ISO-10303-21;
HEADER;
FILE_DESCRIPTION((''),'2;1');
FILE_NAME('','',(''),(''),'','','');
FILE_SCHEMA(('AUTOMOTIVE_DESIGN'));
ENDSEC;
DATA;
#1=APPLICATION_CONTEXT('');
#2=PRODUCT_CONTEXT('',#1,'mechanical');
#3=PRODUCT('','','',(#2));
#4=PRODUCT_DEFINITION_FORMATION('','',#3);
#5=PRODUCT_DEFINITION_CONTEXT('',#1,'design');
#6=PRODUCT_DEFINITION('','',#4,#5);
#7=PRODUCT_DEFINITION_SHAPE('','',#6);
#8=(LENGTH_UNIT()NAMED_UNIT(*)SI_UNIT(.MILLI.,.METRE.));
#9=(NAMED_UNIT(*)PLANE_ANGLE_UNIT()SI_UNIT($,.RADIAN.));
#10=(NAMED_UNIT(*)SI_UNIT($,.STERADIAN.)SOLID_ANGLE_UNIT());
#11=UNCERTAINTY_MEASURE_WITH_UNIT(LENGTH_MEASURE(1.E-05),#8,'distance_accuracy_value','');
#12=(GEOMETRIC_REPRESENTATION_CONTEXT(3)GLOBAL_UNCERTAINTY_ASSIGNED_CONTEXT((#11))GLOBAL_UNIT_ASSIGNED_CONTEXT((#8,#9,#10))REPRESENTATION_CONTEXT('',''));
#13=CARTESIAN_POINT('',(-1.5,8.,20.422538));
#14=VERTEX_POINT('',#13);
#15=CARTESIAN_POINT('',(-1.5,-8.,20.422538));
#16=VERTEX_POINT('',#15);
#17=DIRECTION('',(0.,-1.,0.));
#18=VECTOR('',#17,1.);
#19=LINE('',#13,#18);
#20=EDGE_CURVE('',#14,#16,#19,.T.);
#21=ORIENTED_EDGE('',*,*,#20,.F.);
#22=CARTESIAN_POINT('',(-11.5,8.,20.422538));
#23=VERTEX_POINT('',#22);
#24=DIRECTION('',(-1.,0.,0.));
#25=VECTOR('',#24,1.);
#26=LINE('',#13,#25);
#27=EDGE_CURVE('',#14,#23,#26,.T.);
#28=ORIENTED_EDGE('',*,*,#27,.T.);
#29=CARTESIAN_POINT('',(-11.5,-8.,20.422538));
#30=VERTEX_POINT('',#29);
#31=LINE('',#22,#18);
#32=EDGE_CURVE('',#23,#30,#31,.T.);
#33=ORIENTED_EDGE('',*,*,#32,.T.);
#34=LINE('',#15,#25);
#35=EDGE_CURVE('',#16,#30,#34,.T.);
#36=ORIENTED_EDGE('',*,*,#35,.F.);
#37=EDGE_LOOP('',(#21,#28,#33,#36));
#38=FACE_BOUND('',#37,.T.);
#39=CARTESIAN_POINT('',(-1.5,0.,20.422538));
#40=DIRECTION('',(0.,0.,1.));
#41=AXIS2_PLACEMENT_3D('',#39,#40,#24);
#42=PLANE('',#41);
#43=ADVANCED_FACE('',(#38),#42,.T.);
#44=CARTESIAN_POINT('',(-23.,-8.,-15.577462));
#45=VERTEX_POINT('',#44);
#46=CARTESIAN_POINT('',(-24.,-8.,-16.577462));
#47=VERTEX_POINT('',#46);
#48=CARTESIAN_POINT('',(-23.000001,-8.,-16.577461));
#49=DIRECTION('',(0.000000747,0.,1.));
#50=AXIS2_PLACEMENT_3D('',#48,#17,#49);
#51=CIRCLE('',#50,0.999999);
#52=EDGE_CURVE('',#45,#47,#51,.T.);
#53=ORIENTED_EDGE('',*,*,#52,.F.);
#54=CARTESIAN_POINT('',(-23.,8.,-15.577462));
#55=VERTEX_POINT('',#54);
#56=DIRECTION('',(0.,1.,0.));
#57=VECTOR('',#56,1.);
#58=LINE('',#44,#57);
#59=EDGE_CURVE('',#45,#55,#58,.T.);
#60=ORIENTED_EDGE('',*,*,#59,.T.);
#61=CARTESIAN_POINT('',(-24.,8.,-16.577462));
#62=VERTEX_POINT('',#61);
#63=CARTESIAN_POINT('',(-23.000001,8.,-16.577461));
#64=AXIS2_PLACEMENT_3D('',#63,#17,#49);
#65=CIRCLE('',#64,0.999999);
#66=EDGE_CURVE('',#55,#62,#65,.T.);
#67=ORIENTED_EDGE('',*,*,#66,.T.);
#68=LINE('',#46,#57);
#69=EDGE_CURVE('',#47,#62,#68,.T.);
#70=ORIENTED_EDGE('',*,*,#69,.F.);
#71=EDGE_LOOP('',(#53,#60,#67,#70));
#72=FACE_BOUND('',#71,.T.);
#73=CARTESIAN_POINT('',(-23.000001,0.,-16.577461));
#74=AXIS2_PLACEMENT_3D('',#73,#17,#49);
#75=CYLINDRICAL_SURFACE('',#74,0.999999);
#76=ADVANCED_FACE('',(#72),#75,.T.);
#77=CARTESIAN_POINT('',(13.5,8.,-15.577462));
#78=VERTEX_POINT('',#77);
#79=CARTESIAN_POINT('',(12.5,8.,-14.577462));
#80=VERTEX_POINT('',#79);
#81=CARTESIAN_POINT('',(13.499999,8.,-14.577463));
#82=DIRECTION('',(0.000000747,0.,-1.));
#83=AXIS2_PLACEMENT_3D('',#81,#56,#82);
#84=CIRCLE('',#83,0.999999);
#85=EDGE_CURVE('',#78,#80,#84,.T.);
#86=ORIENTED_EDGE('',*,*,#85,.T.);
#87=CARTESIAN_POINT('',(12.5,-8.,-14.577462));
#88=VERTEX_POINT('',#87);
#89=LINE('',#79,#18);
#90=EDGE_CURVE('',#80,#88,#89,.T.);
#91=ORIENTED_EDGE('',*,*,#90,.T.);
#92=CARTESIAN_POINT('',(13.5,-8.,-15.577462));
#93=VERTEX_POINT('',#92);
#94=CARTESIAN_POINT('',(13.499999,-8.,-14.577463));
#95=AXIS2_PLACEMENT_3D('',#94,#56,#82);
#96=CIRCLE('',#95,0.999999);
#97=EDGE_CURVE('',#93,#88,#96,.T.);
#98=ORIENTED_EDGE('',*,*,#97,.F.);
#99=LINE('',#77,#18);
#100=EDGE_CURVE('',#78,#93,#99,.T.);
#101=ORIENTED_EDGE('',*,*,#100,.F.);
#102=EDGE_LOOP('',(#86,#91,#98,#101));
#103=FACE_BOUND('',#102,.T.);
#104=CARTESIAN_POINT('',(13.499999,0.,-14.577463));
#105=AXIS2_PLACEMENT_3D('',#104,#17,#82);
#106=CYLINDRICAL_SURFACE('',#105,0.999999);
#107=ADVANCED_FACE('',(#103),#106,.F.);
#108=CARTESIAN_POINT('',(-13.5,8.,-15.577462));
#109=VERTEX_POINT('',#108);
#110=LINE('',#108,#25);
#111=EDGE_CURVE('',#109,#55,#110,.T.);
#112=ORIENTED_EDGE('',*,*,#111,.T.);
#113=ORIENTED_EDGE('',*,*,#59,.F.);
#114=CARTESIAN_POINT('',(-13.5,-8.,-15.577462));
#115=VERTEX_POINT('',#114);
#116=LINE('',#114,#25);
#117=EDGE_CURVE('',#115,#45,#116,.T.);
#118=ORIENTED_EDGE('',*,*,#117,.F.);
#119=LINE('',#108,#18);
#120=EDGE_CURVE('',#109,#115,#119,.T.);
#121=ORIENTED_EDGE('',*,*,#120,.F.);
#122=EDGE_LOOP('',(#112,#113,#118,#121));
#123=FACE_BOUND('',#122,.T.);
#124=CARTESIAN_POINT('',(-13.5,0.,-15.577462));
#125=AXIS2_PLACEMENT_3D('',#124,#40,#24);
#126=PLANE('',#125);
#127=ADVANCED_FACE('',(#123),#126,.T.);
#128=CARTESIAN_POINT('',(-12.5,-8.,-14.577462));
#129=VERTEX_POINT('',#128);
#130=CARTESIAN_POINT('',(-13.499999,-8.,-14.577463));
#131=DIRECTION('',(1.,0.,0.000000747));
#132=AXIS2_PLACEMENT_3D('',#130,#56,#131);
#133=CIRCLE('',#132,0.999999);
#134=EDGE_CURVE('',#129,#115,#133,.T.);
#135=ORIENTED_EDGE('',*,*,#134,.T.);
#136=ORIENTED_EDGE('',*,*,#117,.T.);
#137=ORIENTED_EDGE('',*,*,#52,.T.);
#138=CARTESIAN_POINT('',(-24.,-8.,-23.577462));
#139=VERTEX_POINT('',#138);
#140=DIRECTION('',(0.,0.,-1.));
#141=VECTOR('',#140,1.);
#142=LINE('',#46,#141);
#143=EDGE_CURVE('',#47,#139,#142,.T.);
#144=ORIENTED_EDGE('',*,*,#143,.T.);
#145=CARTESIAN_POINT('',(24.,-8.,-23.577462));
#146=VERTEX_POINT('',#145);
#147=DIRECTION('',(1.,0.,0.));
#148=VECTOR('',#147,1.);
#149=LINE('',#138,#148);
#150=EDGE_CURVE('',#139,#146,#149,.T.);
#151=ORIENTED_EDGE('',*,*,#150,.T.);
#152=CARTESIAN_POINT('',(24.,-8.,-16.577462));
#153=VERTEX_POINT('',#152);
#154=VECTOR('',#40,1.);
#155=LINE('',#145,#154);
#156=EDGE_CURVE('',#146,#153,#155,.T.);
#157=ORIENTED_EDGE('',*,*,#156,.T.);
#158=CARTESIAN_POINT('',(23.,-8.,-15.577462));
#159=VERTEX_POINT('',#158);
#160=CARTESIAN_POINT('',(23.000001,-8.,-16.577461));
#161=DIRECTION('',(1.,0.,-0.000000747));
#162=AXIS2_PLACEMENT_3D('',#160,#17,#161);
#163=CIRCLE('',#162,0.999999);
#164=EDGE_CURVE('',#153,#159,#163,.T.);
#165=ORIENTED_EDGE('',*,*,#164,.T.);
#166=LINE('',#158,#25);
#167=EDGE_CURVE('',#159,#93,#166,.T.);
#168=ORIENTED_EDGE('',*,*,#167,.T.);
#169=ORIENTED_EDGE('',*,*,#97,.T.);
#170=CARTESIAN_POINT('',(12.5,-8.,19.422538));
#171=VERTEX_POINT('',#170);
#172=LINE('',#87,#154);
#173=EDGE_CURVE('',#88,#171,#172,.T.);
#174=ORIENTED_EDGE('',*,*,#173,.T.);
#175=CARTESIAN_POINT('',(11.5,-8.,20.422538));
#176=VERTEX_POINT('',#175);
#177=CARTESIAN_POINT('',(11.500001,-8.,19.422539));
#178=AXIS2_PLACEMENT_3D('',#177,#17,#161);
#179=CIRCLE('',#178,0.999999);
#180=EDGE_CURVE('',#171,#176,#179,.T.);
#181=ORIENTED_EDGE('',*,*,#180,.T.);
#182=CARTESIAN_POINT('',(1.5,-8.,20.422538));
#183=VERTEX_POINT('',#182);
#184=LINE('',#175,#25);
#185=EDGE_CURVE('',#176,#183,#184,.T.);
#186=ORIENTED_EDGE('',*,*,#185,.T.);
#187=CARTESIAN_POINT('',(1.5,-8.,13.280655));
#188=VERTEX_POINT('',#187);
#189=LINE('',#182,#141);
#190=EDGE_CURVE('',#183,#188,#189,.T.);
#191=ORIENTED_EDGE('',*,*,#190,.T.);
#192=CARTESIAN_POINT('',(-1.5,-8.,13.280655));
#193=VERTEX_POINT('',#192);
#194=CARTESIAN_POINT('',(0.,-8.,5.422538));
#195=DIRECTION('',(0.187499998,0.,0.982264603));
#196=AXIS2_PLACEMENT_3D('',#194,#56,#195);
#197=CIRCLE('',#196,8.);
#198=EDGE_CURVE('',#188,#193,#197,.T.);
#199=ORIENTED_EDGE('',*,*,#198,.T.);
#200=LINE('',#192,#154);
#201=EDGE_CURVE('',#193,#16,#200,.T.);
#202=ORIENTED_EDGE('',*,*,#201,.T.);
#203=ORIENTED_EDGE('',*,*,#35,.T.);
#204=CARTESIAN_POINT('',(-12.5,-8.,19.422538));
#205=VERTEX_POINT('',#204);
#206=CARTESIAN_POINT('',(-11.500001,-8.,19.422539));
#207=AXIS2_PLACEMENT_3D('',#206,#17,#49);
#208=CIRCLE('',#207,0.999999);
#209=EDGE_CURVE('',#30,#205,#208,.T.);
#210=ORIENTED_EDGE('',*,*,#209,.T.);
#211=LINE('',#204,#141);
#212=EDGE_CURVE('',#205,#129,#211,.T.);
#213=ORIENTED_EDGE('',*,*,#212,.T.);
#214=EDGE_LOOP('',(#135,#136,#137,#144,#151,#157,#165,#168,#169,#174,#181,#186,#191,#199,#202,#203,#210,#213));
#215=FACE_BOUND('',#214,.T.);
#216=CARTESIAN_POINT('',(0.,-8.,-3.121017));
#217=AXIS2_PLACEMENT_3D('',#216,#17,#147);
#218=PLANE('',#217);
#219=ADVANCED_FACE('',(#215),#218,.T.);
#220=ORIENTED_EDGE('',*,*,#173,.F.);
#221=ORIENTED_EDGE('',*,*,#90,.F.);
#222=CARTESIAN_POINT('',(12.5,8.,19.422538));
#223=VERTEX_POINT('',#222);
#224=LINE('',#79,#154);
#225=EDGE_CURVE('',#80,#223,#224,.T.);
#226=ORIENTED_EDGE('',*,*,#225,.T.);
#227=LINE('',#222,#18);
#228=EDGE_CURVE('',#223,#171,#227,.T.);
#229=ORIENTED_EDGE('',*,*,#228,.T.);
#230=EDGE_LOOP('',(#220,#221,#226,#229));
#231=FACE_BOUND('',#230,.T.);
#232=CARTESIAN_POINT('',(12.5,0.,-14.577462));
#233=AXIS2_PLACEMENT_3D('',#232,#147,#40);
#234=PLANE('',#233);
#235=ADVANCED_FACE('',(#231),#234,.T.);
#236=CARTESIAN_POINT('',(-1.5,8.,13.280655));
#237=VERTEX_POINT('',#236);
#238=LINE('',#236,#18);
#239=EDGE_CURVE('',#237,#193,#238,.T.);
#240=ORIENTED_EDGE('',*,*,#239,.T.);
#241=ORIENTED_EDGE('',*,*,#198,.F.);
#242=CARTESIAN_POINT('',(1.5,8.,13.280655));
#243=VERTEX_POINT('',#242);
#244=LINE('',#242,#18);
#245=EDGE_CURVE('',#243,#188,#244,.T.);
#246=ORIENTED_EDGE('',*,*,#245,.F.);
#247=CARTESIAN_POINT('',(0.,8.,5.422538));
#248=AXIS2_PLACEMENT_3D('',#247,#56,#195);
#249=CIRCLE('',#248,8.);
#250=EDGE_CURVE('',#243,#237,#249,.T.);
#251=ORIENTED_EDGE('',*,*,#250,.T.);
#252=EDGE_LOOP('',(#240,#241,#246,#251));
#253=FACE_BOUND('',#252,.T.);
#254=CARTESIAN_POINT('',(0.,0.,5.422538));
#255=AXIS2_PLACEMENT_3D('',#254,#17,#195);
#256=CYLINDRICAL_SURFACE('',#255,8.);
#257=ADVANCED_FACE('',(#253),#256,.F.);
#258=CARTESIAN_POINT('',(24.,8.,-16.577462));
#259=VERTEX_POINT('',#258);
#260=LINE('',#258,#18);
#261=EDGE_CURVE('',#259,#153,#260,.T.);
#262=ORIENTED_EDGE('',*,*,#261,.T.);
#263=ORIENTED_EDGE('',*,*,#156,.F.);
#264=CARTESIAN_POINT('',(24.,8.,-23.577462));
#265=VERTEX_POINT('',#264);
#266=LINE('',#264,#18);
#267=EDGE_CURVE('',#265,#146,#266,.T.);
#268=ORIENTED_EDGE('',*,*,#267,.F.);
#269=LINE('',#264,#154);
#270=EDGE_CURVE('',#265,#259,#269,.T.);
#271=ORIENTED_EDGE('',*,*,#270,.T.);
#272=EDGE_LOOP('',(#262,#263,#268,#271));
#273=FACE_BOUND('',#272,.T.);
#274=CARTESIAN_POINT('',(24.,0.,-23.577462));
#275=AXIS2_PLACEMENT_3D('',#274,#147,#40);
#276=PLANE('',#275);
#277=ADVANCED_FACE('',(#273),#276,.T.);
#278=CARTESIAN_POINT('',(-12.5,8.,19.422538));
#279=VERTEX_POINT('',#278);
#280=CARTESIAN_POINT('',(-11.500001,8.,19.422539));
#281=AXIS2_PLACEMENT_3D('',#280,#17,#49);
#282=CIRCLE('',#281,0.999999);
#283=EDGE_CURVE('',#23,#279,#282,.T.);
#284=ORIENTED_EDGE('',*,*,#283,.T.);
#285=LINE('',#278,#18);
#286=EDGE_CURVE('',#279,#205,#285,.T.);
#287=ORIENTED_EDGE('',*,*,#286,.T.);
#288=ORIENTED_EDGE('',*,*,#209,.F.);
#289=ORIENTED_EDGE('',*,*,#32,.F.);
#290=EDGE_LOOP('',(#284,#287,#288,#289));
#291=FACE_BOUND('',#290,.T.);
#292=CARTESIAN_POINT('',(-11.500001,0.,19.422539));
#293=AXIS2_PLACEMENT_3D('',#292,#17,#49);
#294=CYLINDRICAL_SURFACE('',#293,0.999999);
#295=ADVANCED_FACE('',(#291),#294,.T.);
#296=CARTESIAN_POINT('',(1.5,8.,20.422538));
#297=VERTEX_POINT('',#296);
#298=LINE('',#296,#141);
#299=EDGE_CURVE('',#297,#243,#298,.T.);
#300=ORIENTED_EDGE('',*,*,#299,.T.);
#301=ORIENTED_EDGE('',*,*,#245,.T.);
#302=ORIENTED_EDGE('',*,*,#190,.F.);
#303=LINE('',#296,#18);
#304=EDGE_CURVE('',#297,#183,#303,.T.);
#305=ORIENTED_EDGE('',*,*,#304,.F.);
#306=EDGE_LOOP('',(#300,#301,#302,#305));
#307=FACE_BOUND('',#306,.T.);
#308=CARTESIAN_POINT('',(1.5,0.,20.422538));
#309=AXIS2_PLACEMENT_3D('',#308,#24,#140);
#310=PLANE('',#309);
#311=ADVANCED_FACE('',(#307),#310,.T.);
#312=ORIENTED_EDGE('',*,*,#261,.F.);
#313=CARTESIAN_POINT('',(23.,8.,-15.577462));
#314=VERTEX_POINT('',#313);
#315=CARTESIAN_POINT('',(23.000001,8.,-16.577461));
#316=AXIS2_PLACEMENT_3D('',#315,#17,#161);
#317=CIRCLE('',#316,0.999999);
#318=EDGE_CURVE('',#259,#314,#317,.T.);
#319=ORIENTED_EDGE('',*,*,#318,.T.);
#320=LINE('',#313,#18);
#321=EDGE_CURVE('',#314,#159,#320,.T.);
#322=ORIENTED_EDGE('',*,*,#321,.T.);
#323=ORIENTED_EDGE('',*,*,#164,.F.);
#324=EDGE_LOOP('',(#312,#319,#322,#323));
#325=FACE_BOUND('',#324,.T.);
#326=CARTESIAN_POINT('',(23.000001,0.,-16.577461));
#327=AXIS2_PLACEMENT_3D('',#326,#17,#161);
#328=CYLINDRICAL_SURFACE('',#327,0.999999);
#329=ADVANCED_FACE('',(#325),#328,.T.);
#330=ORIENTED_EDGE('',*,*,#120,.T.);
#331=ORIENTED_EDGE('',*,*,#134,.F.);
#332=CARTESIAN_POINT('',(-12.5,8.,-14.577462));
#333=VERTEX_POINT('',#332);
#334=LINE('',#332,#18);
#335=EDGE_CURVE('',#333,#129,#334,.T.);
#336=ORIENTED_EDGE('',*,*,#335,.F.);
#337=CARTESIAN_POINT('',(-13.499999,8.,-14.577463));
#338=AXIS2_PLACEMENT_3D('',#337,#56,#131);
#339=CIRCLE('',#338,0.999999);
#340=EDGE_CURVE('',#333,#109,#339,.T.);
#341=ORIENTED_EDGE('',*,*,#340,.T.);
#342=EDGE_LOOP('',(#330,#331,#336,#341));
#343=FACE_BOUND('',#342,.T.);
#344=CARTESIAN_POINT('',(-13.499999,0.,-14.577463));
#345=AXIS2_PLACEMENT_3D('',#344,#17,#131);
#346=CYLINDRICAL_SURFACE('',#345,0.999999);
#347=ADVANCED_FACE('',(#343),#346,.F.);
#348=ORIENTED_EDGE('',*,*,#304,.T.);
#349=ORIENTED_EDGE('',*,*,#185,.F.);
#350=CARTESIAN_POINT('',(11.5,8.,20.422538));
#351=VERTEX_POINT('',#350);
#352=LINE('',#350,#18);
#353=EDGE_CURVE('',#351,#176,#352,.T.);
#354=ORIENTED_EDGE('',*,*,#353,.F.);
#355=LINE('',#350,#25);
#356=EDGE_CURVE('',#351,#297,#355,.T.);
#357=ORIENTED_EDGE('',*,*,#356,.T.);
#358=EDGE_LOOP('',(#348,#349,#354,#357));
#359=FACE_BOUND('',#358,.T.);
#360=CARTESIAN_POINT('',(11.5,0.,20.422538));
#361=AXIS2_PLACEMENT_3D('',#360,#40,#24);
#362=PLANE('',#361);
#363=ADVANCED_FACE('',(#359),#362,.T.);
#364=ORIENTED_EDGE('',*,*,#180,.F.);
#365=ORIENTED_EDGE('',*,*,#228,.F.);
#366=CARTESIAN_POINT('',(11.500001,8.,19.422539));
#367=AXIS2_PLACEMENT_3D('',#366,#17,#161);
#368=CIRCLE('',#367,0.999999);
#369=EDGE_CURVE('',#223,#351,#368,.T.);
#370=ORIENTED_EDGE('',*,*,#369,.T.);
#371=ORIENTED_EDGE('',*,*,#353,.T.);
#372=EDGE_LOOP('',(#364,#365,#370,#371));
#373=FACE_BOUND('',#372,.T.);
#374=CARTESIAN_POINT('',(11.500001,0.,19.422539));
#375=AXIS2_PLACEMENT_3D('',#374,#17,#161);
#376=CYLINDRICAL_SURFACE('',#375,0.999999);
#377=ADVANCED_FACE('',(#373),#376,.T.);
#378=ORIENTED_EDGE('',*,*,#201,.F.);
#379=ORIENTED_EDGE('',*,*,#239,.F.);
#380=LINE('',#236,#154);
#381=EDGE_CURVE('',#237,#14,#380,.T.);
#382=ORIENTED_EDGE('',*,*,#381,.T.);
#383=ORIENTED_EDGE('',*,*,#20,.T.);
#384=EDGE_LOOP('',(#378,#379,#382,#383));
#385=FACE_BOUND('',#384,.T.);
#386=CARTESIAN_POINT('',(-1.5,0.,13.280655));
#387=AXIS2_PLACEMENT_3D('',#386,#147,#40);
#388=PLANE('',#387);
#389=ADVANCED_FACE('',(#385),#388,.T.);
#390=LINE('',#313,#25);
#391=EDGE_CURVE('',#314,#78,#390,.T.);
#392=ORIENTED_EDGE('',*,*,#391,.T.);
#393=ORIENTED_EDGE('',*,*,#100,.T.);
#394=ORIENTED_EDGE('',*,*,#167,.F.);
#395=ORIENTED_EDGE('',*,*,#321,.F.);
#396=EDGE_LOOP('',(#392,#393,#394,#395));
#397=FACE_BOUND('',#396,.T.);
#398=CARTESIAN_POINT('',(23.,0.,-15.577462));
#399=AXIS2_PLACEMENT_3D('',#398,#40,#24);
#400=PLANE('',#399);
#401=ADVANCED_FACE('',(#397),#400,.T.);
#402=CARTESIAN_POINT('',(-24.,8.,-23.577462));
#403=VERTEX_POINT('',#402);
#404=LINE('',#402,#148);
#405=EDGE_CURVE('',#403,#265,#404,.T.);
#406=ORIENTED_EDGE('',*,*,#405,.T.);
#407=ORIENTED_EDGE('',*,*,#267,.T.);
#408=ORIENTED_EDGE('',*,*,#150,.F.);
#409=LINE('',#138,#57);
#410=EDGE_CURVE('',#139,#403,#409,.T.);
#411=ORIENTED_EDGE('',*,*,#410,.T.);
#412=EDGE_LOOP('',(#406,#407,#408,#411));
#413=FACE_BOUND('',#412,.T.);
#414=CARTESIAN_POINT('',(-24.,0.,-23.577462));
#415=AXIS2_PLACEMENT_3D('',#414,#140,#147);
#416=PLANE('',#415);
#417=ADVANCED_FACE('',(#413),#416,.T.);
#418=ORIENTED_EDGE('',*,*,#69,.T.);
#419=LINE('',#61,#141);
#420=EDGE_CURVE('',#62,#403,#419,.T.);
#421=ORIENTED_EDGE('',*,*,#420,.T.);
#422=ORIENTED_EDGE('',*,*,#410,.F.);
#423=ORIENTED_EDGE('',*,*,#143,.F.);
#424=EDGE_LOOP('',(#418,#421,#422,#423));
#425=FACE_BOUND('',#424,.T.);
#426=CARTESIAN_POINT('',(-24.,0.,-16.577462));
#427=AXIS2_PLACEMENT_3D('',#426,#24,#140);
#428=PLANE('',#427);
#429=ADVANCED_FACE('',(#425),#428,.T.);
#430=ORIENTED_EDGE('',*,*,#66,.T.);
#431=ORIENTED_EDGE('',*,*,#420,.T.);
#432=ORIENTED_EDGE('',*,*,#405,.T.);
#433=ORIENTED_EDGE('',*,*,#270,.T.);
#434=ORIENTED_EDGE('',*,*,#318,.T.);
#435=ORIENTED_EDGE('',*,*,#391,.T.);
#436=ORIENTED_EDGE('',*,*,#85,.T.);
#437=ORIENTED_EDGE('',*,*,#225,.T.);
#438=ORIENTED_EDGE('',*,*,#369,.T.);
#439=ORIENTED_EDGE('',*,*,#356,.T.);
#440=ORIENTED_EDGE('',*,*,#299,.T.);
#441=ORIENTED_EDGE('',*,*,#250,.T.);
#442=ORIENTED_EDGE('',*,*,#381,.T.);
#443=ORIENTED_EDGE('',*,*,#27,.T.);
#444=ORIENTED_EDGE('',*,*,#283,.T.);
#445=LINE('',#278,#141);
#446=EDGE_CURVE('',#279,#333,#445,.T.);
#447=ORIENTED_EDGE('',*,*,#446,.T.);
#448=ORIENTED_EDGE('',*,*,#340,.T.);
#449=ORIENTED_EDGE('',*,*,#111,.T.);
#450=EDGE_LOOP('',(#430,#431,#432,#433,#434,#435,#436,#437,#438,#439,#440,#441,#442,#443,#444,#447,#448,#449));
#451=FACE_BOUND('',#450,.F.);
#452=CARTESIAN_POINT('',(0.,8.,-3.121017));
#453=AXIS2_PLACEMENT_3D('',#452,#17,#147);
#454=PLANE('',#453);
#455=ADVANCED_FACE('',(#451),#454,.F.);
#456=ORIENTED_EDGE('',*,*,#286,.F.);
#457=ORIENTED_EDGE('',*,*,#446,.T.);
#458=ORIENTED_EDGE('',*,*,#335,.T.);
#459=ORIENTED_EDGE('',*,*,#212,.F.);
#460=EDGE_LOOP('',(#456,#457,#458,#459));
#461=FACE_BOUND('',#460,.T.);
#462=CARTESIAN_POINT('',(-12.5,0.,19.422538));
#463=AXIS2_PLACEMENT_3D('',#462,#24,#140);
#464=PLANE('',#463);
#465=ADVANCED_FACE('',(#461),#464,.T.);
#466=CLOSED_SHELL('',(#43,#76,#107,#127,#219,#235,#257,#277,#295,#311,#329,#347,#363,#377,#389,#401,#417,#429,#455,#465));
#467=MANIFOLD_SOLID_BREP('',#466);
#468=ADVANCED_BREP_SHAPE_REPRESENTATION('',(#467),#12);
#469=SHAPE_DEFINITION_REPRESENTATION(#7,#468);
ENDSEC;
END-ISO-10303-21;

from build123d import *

# Parameters (mm, degrees)
F1_DEPTH = 8


with BuildPart() as f1:
    # F0 (on Front) → F1 (new body, symmetric)
    with BuildSketch(Plane.XZ):
        with BuildLine():
            Line((-24, -23.577462), (24, -23.577462))
            Line((24, -23.577462), (24, -16.577462))
            ThreePointArc((24, -16.577462), (23.707107, -15.870355), (23, -15.577462))
            Line((23, -15.577462), (13.5, -15.577462))
            ThreePointArc((13.5, -15.577462), (12.792893, -15.284569), (12.5, -14.577462))
            Line((12.5, -14.577462), (12.5, 19.422538))
            ThreePointArc((12.5, 19.422538), (12.207107, 20.129645), (11.5, 20.422538))
            Line((11.5, 20.422538), (1.5, 20.422538))
            Line((1.5, 20.422538), (1.5, 13.280655))
            ThreePointArc((1.5, 13.280655), (0, -2.577462), (-1.5, 13.280655))
            Line((-1.5, 13.280655), (-1.5, 20.422538))
            Line((-1.5, 20.422538), (-11.5, 20.422538))
            ThreePointArc((-11.5, 20.422538), (-12.207107, 20.129645), (-12.5, 19.422538))
            Line((-12.5, 19.422538), (-12.5, -14.577462))
            ThreePointArc((-12.5, -14.577462), (-12.792893, -15.284569), (-13.5, -15.577462))
            Line((-13.5, -15.577462), (-23, -15.577462))
            ThreePointArc((-23, -15.577462), (-23.707107, -15.870355), (-24, -16.577462))
            Line((-24, -16.577462), (-24, -23.577462))
        make_face()
    extrude(amount=F1_DEPTH, both=True)


solid = f1.part
